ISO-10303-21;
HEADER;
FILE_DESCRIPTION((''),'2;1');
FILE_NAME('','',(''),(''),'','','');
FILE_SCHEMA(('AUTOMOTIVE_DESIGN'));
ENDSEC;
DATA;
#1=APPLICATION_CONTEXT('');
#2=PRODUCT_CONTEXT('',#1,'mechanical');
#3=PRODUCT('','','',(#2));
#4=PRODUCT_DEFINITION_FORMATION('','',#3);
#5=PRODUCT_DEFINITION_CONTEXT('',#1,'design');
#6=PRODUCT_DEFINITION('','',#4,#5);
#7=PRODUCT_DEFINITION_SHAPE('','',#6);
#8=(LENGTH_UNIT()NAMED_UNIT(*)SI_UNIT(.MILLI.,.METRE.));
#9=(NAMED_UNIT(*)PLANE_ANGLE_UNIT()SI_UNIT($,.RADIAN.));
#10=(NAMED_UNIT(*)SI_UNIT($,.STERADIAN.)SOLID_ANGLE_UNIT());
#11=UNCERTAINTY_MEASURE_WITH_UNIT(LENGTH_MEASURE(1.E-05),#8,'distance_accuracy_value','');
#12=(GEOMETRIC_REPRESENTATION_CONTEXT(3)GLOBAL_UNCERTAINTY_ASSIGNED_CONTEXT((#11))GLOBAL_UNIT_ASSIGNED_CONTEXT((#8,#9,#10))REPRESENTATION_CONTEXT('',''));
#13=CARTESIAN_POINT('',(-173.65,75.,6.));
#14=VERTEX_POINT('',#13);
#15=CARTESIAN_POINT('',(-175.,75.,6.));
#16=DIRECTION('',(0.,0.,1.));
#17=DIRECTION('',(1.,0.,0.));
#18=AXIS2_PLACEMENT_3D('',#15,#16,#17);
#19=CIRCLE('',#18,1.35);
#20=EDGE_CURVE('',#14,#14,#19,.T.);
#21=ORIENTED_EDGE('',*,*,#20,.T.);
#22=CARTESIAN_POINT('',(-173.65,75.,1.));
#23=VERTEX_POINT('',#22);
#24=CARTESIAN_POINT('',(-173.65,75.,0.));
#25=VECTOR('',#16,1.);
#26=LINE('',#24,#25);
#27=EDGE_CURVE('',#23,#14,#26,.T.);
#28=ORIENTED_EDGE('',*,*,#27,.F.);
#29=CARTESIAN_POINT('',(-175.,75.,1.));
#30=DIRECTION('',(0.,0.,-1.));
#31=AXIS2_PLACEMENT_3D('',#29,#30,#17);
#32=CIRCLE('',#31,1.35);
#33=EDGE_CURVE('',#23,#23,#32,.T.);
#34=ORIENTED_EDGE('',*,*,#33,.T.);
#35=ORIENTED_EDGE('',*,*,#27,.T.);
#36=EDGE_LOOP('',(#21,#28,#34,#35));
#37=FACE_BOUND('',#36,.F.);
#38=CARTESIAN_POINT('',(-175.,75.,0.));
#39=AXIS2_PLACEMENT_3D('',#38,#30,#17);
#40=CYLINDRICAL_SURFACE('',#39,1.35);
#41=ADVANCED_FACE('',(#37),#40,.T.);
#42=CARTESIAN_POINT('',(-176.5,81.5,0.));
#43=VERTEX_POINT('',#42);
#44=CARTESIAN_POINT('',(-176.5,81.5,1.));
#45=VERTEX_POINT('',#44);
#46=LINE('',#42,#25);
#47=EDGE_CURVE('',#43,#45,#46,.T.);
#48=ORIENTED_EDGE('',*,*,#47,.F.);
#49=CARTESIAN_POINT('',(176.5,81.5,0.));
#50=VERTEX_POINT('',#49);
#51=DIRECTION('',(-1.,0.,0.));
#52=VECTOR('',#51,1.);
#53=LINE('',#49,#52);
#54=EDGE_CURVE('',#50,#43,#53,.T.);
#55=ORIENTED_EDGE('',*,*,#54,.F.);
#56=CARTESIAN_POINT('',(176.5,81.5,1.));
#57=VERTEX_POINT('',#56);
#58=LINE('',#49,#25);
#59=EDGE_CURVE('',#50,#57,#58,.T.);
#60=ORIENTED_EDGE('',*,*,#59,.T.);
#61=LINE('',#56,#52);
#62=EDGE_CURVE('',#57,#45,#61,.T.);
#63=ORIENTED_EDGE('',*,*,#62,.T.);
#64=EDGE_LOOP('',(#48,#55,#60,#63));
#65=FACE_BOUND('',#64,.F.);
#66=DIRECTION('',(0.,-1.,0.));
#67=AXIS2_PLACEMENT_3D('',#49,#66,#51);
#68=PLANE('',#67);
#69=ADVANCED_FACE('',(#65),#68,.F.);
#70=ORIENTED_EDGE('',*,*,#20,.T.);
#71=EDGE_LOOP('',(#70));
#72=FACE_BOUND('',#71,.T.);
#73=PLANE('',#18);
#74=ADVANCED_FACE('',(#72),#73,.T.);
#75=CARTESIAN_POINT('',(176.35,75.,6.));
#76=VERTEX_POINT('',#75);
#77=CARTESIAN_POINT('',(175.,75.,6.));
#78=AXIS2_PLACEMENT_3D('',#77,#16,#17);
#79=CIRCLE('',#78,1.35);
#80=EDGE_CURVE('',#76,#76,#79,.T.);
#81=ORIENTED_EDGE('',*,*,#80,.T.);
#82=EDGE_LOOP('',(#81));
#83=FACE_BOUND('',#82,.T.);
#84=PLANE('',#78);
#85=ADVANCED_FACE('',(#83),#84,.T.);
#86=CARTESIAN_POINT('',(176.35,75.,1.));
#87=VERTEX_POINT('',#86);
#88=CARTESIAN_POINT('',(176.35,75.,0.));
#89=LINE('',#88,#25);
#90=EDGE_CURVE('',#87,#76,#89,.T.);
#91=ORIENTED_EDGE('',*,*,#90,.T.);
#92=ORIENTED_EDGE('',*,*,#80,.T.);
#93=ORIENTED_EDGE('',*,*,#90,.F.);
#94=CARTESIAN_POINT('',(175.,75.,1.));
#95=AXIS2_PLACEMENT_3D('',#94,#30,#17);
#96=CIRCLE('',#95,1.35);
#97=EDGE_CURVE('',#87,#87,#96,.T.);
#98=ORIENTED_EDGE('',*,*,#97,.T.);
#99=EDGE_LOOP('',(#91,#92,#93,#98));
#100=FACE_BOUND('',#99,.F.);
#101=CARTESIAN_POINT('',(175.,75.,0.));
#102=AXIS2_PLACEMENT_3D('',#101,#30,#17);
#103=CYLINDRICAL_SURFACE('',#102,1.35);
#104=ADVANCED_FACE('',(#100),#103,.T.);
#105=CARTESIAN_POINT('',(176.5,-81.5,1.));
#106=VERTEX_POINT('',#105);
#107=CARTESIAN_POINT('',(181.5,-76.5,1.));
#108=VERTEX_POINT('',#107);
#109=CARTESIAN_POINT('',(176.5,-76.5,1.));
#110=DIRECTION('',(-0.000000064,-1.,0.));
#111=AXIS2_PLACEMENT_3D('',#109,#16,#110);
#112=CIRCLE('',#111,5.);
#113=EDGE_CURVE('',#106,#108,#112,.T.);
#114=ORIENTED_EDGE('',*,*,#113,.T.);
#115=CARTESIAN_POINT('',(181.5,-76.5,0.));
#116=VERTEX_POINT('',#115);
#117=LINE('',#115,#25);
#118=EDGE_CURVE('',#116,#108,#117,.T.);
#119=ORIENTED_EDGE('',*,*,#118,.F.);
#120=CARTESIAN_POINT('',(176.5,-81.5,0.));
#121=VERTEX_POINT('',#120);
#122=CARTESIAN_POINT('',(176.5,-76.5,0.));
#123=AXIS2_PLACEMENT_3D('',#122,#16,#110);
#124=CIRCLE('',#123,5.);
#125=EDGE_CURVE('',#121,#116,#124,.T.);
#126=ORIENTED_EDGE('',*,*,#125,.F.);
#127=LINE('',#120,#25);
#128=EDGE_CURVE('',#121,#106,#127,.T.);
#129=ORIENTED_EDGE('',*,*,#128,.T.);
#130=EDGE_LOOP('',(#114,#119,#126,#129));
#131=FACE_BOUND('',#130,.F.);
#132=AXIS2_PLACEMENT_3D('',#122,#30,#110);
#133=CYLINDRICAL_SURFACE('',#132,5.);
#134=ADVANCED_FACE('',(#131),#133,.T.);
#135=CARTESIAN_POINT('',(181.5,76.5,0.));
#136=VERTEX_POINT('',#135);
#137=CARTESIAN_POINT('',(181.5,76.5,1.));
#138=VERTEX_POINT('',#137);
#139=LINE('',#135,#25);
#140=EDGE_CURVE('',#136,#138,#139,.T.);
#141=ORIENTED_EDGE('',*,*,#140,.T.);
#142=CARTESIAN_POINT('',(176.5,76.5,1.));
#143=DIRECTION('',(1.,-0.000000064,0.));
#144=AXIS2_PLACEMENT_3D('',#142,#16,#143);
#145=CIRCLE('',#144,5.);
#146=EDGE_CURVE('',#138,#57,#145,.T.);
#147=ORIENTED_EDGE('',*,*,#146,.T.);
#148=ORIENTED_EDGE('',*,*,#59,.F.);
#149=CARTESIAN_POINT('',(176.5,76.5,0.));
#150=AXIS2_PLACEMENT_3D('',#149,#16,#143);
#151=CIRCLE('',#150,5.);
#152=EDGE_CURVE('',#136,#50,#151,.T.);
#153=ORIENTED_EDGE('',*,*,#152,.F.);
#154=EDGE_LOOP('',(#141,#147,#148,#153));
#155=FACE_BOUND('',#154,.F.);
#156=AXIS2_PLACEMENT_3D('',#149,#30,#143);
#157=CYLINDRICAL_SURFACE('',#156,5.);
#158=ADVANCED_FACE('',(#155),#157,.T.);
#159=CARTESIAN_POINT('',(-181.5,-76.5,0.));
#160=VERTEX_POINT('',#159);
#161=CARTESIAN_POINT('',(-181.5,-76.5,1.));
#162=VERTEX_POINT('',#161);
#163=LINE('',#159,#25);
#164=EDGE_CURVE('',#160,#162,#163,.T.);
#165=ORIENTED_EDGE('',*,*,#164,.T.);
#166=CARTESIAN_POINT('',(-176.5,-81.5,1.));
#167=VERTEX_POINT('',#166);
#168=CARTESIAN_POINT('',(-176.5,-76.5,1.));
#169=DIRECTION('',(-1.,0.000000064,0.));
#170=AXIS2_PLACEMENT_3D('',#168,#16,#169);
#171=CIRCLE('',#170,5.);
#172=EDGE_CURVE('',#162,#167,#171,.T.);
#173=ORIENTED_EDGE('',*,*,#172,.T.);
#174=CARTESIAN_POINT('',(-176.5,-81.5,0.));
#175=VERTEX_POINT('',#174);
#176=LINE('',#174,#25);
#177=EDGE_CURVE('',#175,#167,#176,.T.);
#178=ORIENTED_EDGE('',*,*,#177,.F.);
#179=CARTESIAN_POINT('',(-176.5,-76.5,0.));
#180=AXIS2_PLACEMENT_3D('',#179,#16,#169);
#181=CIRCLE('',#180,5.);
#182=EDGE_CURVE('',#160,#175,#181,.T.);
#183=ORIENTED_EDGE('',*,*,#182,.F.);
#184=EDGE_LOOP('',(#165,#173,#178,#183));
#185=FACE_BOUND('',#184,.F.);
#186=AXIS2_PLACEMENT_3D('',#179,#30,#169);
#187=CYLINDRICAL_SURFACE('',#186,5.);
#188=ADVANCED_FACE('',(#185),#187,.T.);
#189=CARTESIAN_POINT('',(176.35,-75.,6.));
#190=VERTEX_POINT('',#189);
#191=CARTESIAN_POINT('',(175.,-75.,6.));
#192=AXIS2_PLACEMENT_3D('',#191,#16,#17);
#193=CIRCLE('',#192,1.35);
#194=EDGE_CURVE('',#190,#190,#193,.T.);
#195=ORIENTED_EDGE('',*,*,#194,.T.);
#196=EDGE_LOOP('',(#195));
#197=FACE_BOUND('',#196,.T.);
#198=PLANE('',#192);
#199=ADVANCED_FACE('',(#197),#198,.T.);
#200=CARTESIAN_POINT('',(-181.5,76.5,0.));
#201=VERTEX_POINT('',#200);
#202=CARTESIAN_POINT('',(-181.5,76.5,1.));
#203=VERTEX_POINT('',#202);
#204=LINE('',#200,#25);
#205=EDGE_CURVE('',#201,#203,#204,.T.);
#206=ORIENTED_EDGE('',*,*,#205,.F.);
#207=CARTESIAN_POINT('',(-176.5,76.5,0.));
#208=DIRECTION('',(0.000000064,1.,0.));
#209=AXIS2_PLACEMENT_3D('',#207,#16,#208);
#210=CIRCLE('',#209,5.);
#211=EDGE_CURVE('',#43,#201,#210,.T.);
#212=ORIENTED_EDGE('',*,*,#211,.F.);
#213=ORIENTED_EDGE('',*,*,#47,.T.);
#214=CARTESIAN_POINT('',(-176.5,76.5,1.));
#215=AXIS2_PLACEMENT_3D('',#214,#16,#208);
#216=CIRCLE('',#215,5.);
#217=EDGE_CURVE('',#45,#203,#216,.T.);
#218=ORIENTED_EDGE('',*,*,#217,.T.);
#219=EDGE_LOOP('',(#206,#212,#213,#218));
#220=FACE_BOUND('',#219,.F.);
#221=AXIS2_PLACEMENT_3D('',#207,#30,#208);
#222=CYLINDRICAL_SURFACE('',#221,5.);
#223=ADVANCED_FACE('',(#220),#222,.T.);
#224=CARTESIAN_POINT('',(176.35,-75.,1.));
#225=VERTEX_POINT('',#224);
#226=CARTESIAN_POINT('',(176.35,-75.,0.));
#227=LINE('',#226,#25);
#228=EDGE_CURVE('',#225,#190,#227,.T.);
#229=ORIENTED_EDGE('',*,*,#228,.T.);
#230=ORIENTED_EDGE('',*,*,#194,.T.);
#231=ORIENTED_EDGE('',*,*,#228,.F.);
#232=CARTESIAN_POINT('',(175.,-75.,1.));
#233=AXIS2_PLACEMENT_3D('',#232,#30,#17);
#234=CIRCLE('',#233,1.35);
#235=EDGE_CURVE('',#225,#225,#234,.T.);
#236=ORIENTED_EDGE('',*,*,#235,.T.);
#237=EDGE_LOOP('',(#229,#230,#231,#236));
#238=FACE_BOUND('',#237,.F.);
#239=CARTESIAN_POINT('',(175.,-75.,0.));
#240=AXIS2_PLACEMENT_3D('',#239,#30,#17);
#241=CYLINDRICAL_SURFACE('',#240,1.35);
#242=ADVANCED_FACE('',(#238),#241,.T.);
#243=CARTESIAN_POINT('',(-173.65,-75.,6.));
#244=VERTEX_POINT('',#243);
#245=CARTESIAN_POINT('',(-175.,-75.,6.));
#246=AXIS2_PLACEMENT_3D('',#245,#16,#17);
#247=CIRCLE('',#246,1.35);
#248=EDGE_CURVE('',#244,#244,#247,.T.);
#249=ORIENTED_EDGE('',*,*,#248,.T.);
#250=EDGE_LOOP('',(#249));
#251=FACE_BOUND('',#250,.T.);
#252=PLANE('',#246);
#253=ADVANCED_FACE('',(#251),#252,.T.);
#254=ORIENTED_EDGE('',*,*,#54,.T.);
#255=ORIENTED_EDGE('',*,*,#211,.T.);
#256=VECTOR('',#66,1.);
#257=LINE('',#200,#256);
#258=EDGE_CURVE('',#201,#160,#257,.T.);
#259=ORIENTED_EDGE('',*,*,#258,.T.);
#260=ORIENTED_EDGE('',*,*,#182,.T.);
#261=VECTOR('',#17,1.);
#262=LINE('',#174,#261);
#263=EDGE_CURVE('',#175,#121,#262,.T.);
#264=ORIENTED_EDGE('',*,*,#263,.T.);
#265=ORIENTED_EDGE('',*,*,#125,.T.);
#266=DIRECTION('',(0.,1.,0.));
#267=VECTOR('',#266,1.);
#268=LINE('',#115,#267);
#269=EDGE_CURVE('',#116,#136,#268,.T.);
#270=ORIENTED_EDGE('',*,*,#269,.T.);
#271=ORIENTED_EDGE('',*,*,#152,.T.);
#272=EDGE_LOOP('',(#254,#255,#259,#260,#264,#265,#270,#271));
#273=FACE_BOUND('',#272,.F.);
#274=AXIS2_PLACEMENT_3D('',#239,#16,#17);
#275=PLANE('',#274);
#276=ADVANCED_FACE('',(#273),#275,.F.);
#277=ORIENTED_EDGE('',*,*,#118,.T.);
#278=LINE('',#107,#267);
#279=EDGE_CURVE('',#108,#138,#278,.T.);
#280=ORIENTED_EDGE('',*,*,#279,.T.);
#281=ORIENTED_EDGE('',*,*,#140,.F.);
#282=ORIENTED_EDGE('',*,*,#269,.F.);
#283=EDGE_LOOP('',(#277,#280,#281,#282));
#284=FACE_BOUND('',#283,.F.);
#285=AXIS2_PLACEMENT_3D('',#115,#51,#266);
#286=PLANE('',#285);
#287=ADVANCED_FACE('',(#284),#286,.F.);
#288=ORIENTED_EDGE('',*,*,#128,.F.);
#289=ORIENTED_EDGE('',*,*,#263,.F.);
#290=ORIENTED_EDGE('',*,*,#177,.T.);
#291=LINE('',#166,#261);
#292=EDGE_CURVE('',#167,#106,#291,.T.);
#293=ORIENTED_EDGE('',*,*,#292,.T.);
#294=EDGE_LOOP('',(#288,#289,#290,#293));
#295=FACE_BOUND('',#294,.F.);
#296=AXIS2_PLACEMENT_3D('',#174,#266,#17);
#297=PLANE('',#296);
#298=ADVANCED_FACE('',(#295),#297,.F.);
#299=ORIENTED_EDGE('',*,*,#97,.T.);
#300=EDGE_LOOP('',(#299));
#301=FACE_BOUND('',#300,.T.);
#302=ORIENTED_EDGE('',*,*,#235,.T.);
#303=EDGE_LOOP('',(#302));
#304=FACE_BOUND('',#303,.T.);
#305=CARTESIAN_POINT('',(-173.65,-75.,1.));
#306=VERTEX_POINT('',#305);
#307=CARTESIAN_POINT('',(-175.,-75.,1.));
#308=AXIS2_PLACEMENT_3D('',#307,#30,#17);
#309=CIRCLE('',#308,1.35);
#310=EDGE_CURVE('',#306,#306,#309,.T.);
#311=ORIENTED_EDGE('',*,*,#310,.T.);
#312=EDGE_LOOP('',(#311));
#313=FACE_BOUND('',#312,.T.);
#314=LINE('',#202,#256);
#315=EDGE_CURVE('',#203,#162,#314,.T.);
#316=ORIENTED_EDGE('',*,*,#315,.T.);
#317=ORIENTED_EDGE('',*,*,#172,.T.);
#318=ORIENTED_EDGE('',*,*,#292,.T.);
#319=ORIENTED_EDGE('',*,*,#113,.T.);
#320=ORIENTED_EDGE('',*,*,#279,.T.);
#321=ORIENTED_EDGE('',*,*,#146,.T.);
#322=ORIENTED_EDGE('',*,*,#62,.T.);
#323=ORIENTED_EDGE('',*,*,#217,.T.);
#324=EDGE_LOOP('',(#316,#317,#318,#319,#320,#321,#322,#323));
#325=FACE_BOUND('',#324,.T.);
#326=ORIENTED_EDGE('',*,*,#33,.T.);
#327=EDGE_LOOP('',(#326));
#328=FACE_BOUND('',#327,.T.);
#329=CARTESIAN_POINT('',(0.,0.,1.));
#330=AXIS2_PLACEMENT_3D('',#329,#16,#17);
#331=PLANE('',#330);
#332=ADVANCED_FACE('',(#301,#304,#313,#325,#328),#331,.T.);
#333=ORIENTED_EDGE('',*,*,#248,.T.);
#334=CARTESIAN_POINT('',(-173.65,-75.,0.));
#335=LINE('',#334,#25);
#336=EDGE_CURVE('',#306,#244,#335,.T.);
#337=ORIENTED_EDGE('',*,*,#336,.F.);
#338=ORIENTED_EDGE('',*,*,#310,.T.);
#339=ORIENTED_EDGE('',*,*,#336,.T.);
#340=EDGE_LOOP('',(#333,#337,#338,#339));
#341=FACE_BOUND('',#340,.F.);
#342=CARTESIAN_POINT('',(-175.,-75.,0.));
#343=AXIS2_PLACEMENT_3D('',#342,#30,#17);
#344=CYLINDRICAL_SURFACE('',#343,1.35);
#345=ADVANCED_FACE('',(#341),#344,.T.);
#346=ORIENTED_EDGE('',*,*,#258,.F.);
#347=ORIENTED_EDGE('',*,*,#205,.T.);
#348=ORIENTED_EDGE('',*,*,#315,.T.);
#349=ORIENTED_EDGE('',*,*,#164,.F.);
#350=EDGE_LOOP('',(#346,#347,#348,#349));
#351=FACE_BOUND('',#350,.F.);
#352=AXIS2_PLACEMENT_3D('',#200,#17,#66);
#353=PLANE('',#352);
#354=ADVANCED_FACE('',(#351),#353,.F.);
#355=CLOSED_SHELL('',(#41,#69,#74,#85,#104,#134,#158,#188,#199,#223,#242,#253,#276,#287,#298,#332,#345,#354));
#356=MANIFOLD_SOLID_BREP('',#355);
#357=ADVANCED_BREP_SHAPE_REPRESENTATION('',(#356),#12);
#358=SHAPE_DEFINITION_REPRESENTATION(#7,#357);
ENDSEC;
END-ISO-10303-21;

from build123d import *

# Parameters (mm, degrees)
PAD_DEPTH    = 1
SKETCH001_R  = 1.35
PAD001_DEPTH = 6
SKETCH003_R  = 1.35
PAD002_DEPTH = 6
SKETCH002_R  = 1.35
PAD003_DEPTH = 6
SKETCH004_R  = 1.35
PAD004_DEPTH = 6


with BuildPart() as part:
    # Sketch → Pad (new body)
    with BuildSketch(Plane.XY):
        with BuildLine():
            Line((-181.5, 76.5), (-181.5, -76.5))
            ThreePointArc((-181.5, -76.5), (-180.035534, -80.035534), (-176.5, -81.5))
            Line((-176.5, -81.5), (176.5, -81.5))
            ThreePointArc((176.5, -81.5), (180.035534, -80.035534), (181.5, -76.5))
            Line((181.5, -76.5), (181.5, 76.5))
            ThreePointArc((181.5, 76.5), (180.035534, 80.035534), (176.5, 81.5))
            Line((176.5, 81.5), (-176.5, 81.5))
            ThreePointArc((-176.5, 81.5), (-180.035534, 80.035534), (-181.5, 76.5))
        make_face()
    extrude(amount=PAD_DEPTH)

    # Sketch001 → Pad001 (join)
    with BuildSketch(Plane.XY):
        with Locations((-175, 75)):
            Circle(SKETCH001_R)
    extrude(amount=PAD001_DEPTH)

    # Sketch003 → Pad002 (join)
    with BuildSketch(Plane.XY):
        with Locations((175, 75)):
            Circle(SKETCH003_R)
    extrude(amount=PAD002_DEPTH)

    # Sketch002 → Pad003 (join)
    with BuildSketch(Plane.XY):
        with Locations((-175, -75)):
            Circle(SKETCH002_R)
    extrude(amount=PAD003_DEPTH)

    # Sketch004 → Pad004 (join)
    with BuildSketch(Plane.XY):
        with Locations((175, -75)):
            Circle(SKETCH004_R)
    extrude(amount=PAD004_DEPTH)


solid = part.part
